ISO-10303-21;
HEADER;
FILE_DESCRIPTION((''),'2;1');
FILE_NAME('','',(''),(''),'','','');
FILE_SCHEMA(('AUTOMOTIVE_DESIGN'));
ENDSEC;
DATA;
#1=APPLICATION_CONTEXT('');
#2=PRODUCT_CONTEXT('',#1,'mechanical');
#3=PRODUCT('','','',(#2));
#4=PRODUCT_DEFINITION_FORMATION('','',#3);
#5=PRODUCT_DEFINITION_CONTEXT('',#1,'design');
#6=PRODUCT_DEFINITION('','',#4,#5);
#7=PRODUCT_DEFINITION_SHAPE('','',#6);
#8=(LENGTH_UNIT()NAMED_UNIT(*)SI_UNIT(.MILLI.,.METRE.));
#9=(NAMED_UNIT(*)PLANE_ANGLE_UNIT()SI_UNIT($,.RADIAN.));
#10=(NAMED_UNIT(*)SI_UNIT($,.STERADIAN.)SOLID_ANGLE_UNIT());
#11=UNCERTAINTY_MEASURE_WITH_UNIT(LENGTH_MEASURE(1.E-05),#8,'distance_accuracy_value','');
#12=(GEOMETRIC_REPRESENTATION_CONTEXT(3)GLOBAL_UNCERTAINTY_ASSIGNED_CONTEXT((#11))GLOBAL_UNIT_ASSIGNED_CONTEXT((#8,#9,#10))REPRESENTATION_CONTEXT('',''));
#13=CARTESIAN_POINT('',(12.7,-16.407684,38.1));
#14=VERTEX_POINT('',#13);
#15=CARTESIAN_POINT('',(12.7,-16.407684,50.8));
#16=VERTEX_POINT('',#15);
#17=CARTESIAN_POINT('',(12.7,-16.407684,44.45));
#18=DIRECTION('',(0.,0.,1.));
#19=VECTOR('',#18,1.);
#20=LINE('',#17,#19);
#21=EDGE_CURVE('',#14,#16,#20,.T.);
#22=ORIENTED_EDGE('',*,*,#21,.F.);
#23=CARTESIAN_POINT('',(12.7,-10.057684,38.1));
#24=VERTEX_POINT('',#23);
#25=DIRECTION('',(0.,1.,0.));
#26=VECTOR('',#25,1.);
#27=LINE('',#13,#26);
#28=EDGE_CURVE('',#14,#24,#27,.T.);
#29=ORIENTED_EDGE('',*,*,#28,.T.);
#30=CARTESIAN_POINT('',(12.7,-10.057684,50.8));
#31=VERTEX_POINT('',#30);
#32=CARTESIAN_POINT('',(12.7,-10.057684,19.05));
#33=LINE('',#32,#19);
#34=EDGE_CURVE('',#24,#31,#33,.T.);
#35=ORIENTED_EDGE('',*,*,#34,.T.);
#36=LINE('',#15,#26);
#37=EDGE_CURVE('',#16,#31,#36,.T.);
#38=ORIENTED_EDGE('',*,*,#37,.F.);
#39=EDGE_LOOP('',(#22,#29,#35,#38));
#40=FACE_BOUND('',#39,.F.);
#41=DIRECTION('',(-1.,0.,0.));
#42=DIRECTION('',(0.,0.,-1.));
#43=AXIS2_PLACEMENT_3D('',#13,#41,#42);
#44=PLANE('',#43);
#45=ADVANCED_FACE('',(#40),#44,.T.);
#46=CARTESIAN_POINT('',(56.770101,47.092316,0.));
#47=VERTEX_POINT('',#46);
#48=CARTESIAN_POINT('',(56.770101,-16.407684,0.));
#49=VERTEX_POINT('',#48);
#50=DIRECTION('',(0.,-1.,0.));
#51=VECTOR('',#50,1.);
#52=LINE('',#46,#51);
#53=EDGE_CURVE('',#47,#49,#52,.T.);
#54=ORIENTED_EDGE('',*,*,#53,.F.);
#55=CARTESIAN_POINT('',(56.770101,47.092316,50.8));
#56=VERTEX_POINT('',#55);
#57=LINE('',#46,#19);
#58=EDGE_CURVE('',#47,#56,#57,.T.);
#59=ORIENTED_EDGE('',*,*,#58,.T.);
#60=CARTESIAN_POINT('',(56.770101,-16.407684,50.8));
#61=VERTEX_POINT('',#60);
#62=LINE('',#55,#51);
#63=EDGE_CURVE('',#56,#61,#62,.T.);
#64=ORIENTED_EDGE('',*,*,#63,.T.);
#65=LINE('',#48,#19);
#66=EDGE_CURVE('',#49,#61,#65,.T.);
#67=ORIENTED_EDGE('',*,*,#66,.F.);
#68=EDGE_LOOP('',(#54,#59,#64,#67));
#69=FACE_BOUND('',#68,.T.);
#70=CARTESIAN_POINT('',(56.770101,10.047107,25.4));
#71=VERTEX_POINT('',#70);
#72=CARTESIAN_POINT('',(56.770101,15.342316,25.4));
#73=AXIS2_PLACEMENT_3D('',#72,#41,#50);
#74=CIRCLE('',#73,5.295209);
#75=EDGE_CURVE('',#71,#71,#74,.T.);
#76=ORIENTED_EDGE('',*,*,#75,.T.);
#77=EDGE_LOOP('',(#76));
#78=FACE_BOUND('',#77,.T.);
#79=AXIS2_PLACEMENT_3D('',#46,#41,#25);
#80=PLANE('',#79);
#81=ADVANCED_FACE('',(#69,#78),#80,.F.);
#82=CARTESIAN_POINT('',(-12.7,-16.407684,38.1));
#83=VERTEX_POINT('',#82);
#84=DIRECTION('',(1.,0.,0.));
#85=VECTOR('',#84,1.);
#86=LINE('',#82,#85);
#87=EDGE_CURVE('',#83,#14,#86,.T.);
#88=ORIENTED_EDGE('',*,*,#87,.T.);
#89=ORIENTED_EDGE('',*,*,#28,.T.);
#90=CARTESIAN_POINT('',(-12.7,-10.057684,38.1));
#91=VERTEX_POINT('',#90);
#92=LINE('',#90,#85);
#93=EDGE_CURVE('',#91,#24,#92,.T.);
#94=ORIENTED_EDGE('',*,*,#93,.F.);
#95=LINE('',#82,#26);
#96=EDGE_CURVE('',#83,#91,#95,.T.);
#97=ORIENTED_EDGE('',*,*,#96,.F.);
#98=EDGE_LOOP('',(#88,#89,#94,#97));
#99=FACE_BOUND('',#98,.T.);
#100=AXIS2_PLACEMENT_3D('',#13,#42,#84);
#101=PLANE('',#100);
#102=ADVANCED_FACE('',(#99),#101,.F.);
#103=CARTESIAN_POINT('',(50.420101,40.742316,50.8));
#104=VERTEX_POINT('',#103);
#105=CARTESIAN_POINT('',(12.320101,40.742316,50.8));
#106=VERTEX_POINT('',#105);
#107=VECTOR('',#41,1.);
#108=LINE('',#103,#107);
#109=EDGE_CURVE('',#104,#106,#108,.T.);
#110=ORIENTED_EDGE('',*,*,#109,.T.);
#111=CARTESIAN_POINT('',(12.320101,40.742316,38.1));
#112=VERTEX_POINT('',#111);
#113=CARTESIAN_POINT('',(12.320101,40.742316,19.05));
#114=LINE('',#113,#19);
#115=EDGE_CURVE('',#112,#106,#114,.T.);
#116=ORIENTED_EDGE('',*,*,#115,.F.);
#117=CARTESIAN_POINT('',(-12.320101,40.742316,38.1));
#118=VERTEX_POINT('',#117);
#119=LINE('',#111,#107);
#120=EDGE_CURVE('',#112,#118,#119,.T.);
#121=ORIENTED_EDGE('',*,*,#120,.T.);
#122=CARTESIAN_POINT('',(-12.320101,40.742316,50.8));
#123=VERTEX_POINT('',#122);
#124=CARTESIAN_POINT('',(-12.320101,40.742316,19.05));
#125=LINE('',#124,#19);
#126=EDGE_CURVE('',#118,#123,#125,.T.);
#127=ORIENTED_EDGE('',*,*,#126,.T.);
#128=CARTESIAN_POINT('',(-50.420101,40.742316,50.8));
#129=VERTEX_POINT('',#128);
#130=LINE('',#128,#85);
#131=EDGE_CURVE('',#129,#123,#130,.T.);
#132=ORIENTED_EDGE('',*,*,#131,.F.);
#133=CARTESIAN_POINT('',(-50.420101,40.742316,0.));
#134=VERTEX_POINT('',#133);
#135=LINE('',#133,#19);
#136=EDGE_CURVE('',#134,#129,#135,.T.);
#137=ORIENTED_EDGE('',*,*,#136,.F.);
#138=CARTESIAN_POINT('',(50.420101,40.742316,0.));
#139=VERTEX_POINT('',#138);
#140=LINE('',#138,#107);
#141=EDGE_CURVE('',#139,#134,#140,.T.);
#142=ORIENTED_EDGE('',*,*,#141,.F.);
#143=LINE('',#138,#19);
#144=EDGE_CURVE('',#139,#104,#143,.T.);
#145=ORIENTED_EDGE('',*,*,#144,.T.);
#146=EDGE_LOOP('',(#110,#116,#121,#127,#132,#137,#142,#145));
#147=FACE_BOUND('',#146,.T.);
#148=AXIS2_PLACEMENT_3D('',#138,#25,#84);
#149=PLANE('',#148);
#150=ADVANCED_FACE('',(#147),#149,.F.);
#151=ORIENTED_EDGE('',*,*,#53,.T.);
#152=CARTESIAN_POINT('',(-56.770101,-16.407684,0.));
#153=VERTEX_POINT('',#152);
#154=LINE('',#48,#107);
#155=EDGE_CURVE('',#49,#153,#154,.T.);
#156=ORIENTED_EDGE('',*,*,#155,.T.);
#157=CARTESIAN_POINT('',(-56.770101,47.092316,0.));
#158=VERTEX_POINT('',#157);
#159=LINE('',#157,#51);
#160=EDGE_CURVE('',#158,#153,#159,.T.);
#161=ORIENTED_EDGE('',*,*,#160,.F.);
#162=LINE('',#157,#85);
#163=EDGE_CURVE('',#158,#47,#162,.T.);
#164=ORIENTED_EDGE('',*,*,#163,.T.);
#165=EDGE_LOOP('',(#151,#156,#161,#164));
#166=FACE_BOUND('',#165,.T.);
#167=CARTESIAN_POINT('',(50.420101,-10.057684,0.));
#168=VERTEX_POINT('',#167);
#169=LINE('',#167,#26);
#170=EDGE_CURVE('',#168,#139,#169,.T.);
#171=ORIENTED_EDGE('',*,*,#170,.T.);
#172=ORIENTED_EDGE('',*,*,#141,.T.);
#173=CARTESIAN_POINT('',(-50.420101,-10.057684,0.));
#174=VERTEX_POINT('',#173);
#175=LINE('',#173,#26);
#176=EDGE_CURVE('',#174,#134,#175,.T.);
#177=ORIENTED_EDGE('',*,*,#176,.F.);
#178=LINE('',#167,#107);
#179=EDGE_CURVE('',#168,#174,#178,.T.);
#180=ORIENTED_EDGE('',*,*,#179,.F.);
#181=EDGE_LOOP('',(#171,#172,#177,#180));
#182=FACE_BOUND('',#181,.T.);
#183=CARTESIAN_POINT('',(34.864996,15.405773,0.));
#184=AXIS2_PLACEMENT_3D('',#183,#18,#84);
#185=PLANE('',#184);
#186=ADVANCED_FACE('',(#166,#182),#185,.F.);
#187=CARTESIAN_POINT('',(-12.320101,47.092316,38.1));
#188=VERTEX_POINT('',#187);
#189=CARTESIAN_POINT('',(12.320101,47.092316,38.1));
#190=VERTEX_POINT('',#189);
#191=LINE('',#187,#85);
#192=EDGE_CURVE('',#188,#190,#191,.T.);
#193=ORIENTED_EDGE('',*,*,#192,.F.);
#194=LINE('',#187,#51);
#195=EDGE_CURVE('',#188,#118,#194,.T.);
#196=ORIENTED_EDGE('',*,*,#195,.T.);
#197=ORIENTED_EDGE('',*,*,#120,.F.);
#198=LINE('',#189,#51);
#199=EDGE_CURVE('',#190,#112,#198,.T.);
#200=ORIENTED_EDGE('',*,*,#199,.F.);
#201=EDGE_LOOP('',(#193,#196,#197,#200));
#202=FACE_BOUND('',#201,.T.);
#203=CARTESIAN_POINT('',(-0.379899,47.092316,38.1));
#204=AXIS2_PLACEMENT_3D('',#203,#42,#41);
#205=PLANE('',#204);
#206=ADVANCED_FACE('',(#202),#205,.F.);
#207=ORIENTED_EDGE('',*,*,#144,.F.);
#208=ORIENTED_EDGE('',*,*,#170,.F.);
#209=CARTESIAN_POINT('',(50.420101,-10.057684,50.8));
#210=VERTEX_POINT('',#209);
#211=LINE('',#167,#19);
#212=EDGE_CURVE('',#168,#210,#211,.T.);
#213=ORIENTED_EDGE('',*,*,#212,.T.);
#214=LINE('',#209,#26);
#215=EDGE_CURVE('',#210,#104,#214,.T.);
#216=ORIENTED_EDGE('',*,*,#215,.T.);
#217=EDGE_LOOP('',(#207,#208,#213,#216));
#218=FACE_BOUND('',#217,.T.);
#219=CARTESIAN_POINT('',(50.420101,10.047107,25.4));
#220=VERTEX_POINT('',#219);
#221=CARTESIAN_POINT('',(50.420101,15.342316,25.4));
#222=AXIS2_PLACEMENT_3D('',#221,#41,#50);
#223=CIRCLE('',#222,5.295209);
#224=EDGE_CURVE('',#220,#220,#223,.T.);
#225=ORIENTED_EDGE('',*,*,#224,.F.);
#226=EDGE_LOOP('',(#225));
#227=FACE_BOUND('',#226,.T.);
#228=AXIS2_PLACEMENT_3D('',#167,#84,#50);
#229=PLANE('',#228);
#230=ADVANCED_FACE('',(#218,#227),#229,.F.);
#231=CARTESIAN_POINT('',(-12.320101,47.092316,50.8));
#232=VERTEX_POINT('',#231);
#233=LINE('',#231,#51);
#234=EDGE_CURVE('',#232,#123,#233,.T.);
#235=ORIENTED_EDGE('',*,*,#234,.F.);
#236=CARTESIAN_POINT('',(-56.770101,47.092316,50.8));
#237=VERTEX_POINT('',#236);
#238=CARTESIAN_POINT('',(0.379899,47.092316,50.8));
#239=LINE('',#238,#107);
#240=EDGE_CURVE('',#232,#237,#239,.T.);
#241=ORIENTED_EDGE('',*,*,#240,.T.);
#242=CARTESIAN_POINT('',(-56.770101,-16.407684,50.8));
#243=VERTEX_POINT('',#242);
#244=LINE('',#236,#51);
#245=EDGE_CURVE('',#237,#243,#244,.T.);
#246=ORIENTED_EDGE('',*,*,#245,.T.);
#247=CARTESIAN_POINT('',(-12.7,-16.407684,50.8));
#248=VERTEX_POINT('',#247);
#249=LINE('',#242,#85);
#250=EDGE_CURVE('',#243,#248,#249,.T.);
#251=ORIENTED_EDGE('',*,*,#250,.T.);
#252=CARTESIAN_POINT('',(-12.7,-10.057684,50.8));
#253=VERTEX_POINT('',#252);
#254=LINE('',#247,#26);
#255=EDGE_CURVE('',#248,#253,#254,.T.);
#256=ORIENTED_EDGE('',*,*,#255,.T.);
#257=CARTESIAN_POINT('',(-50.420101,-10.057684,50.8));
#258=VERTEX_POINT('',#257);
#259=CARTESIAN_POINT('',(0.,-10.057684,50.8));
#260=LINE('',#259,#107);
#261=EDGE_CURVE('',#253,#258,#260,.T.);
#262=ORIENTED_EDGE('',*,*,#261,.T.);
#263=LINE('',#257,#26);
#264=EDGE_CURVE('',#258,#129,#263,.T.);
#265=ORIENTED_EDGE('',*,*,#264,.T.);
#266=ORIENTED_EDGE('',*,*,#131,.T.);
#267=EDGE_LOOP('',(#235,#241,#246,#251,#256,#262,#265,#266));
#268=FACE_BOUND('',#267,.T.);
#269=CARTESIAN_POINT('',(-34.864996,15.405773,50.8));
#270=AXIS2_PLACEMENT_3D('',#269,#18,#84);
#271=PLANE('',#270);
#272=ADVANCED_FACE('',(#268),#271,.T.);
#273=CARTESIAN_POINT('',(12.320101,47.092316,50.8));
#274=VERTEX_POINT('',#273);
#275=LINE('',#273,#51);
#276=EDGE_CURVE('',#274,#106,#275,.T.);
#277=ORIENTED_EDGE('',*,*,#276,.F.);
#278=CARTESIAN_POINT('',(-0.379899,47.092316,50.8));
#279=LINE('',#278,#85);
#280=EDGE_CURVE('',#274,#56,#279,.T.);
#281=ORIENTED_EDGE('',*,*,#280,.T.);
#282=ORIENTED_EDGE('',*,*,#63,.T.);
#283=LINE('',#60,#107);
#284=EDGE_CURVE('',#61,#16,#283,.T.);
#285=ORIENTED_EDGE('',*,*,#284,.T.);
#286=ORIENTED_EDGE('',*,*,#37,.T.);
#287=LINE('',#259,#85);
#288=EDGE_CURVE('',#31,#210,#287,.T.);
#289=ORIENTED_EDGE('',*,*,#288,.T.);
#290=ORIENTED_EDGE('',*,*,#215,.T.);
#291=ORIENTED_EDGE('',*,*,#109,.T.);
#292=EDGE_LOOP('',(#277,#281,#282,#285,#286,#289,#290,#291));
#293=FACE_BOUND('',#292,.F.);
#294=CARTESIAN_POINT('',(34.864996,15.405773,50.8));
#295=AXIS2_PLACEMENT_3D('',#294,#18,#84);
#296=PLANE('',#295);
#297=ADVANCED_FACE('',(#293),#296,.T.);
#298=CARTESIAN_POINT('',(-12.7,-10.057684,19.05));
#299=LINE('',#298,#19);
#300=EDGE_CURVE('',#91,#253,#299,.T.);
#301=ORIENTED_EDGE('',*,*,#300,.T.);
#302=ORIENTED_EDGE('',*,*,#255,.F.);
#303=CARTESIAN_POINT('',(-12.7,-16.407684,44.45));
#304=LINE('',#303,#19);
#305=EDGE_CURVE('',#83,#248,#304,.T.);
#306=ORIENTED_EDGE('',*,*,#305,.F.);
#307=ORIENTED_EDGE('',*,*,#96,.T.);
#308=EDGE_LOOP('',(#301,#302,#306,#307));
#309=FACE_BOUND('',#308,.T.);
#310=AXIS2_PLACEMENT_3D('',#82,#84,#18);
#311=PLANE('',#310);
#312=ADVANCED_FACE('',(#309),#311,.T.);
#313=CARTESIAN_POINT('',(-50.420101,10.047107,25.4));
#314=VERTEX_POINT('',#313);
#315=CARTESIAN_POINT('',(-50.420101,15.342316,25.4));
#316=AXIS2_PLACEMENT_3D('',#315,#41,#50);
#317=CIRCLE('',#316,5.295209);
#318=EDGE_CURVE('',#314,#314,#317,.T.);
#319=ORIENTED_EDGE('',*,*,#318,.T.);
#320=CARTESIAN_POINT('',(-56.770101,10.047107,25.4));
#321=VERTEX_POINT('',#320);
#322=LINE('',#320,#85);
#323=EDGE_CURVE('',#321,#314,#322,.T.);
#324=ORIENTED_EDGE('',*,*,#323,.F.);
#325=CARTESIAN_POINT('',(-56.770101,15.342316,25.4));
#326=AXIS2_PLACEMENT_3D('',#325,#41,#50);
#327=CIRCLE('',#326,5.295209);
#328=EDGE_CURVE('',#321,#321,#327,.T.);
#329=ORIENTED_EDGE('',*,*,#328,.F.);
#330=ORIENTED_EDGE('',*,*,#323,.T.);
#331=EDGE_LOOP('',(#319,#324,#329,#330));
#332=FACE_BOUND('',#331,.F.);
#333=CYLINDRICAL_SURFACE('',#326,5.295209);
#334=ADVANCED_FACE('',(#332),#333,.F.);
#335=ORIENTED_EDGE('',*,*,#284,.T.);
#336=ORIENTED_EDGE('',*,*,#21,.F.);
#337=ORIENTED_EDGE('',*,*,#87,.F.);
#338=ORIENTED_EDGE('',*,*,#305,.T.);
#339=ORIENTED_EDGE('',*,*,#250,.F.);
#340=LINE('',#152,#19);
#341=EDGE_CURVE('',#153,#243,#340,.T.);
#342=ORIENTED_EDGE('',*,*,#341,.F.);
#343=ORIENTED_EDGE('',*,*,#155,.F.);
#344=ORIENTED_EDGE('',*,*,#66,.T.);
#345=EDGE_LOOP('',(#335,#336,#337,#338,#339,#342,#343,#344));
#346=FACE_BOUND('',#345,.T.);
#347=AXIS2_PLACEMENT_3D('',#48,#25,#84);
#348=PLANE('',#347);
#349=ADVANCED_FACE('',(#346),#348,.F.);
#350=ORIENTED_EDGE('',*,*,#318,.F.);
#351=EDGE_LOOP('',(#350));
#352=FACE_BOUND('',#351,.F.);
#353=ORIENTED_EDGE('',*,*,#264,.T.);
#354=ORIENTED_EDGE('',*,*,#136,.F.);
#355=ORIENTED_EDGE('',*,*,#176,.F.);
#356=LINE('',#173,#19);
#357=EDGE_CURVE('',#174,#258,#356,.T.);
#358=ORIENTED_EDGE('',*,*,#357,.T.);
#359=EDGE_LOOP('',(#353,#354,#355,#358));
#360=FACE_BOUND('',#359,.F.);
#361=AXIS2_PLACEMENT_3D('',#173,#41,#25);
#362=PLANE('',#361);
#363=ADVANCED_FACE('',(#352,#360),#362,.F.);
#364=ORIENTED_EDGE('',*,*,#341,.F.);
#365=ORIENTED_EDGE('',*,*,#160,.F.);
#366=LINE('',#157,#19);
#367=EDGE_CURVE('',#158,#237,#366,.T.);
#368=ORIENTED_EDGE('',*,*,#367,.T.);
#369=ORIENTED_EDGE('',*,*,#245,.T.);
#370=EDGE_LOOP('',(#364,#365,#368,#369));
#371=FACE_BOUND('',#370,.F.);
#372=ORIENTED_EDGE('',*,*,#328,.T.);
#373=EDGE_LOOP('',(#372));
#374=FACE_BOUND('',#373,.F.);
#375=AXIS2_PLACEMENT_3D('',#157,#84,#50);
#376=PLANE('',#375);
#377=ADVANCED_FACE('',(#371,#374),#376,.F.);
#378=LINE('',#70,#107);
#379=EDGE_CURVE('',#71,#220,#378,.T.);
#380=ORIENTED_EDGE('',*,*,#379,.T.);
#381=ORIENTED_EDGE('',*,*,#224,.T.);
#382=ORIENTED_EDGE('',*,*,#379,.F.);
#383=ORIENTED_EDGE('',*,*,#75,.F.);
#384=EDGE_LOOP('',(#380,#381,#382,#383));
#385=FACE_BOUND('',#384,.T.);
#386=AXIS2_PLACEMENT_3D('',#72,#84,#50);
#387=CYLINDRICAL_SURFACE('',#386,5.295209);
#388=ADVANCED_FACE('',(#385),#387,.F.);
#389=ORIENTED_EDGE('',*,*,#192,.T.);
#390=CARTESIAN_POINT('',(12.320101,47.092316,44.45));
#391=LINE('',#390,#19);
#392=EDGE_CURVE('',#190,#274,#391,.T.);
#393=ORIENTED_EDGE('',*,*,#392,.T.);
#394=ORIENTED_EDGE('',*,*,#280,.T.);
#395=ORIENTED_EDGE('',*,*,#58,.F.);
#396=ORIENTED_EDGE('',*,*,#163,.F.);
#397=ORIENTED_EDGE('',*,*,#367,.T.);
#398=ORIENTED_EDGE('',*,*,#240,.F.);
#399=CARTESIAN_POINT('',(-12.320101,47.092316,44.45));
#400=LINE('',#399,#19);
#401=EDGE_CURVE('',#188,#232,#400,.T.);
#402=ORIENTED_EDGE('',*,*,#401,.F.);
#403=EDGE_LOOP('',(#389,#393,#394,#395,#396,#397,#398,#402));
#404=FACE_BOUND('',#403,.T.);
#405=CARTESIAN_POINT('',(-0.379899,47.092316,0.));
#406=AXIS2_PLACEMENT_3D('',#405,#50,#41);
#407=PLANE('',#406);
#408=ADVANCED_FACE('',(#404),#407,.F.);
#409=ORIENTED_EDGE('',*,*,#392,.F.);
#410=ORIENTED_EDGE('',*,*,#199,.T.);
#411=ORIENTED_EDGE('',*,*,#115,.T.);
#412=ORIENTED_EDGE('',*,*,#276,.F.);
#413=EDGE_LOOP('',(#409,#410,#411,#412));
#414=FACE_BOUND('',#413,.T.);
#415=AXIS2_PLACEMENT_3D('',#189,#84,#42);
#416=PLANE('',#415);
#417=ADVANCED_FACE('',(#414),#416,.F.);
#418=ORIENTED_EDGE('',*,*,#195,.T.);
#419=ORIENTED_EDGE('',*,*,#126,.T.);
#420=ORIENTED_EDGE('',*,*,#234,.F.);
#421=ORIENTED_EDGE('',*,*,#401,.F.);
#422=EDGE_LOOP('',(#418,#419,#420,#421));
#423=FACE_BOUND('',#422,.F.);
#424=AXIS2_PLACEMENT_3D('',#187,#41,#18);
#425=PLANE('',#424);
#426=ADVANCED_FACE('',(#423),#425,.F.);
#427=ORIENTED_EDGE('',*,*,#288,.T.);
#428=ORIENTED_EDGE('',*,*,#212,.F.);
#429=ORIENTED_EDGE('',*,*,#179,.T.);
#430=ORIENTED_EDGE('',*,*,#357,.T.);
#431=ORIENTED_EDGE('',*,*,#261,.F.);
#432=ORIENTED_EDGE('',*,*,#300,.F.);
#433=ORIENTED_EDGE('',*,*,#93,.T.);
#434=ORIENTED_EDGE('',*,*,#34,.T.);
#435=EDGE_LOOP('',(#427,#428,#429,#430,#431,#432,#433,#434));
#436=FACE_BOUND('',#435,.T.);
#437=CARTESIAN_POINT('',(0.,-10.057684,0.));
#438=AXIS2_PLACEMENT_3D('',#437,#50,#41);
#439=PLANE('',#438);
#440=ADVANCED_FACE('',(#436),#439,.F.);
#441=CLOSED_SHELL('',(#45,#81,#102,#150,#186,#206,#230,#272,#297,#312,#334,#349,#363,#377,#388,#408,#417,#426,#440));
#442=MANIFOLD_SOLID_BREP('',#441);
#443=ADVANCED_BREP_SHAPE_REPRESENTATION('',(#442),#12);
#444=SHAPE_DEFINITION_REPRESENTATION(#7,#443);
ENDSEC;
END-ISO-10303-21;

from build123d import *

# Parameters (mm, degrees)
F1_DEPTH = 50.8
F2_W     = 12.7
F2_H     = 12.7
F4_DEPTH = 25.4
F3_W     = 12.7
F3_H     = 12.7
F5_DEPTH = 25.4
F6_R     = 5.295209
F7_DEPTH = 25.4


with BuildPart() as f1:
    # F0 (on Top) → F1 (new body)
    with BuildSketch(Plane.XY):
        Polygon((-50.420101, -10.057684), (-50.420101, 40.742316), (0.379899, 40.742316), (0.379899, 47.092316), (-56.770101, 47.092316), (-56.770101, 15.342316), (-56.770101, -16.407684), (0, -16.407684), (0, -10.057684), align=None)
    extrude(amount=F1_DEPTH)

    # F2 (on face) → F4 (cut)
    with BuildSketch(Plane.XZ.offset(16.407684)):
        with Locations((-6.35, 44.45)):
            Rectangle(F2_W, F2_H)
    extrude(amount=-F4_DEPTH, mode=Mode.SUBTRACT)

    # F3 (on face) → F5 (cut)
    with BuildSketch(Plane(origin=(0, 47.092316, 0), x_dir=(-1, 0, 0), z_dir=(0, 1, 0))):
        with Locations((5.970101, 44.45)):
            Rectangle(F3_W, F3_H)
    extrude(amount=-F5_DEPTH, mode=Mode.SUBTRACT)

    # F6 (on face) → F7 (cut)
    with BuildSketch(Plane(origin=(-56.770101, 0, 0), x_dir=(0, -1, 0), z_dir=(-1, 0, 0))):
        with Locations((-15.342316, 25.4)):
            Circle(F6_R)
    extrude(amount=-F7_DEPTH, mode=Mode.SUBTRACT)

    # F8: F1 across face


with BuildPart() as f1_1:
    add(f1.part)
    add(f1.part.mirror(Plane(origin=(0, -13.232684, 19.05), x_dir=(0, 1, 0), z_dir=(1, 0, 0))))


solid = f1_1.part
